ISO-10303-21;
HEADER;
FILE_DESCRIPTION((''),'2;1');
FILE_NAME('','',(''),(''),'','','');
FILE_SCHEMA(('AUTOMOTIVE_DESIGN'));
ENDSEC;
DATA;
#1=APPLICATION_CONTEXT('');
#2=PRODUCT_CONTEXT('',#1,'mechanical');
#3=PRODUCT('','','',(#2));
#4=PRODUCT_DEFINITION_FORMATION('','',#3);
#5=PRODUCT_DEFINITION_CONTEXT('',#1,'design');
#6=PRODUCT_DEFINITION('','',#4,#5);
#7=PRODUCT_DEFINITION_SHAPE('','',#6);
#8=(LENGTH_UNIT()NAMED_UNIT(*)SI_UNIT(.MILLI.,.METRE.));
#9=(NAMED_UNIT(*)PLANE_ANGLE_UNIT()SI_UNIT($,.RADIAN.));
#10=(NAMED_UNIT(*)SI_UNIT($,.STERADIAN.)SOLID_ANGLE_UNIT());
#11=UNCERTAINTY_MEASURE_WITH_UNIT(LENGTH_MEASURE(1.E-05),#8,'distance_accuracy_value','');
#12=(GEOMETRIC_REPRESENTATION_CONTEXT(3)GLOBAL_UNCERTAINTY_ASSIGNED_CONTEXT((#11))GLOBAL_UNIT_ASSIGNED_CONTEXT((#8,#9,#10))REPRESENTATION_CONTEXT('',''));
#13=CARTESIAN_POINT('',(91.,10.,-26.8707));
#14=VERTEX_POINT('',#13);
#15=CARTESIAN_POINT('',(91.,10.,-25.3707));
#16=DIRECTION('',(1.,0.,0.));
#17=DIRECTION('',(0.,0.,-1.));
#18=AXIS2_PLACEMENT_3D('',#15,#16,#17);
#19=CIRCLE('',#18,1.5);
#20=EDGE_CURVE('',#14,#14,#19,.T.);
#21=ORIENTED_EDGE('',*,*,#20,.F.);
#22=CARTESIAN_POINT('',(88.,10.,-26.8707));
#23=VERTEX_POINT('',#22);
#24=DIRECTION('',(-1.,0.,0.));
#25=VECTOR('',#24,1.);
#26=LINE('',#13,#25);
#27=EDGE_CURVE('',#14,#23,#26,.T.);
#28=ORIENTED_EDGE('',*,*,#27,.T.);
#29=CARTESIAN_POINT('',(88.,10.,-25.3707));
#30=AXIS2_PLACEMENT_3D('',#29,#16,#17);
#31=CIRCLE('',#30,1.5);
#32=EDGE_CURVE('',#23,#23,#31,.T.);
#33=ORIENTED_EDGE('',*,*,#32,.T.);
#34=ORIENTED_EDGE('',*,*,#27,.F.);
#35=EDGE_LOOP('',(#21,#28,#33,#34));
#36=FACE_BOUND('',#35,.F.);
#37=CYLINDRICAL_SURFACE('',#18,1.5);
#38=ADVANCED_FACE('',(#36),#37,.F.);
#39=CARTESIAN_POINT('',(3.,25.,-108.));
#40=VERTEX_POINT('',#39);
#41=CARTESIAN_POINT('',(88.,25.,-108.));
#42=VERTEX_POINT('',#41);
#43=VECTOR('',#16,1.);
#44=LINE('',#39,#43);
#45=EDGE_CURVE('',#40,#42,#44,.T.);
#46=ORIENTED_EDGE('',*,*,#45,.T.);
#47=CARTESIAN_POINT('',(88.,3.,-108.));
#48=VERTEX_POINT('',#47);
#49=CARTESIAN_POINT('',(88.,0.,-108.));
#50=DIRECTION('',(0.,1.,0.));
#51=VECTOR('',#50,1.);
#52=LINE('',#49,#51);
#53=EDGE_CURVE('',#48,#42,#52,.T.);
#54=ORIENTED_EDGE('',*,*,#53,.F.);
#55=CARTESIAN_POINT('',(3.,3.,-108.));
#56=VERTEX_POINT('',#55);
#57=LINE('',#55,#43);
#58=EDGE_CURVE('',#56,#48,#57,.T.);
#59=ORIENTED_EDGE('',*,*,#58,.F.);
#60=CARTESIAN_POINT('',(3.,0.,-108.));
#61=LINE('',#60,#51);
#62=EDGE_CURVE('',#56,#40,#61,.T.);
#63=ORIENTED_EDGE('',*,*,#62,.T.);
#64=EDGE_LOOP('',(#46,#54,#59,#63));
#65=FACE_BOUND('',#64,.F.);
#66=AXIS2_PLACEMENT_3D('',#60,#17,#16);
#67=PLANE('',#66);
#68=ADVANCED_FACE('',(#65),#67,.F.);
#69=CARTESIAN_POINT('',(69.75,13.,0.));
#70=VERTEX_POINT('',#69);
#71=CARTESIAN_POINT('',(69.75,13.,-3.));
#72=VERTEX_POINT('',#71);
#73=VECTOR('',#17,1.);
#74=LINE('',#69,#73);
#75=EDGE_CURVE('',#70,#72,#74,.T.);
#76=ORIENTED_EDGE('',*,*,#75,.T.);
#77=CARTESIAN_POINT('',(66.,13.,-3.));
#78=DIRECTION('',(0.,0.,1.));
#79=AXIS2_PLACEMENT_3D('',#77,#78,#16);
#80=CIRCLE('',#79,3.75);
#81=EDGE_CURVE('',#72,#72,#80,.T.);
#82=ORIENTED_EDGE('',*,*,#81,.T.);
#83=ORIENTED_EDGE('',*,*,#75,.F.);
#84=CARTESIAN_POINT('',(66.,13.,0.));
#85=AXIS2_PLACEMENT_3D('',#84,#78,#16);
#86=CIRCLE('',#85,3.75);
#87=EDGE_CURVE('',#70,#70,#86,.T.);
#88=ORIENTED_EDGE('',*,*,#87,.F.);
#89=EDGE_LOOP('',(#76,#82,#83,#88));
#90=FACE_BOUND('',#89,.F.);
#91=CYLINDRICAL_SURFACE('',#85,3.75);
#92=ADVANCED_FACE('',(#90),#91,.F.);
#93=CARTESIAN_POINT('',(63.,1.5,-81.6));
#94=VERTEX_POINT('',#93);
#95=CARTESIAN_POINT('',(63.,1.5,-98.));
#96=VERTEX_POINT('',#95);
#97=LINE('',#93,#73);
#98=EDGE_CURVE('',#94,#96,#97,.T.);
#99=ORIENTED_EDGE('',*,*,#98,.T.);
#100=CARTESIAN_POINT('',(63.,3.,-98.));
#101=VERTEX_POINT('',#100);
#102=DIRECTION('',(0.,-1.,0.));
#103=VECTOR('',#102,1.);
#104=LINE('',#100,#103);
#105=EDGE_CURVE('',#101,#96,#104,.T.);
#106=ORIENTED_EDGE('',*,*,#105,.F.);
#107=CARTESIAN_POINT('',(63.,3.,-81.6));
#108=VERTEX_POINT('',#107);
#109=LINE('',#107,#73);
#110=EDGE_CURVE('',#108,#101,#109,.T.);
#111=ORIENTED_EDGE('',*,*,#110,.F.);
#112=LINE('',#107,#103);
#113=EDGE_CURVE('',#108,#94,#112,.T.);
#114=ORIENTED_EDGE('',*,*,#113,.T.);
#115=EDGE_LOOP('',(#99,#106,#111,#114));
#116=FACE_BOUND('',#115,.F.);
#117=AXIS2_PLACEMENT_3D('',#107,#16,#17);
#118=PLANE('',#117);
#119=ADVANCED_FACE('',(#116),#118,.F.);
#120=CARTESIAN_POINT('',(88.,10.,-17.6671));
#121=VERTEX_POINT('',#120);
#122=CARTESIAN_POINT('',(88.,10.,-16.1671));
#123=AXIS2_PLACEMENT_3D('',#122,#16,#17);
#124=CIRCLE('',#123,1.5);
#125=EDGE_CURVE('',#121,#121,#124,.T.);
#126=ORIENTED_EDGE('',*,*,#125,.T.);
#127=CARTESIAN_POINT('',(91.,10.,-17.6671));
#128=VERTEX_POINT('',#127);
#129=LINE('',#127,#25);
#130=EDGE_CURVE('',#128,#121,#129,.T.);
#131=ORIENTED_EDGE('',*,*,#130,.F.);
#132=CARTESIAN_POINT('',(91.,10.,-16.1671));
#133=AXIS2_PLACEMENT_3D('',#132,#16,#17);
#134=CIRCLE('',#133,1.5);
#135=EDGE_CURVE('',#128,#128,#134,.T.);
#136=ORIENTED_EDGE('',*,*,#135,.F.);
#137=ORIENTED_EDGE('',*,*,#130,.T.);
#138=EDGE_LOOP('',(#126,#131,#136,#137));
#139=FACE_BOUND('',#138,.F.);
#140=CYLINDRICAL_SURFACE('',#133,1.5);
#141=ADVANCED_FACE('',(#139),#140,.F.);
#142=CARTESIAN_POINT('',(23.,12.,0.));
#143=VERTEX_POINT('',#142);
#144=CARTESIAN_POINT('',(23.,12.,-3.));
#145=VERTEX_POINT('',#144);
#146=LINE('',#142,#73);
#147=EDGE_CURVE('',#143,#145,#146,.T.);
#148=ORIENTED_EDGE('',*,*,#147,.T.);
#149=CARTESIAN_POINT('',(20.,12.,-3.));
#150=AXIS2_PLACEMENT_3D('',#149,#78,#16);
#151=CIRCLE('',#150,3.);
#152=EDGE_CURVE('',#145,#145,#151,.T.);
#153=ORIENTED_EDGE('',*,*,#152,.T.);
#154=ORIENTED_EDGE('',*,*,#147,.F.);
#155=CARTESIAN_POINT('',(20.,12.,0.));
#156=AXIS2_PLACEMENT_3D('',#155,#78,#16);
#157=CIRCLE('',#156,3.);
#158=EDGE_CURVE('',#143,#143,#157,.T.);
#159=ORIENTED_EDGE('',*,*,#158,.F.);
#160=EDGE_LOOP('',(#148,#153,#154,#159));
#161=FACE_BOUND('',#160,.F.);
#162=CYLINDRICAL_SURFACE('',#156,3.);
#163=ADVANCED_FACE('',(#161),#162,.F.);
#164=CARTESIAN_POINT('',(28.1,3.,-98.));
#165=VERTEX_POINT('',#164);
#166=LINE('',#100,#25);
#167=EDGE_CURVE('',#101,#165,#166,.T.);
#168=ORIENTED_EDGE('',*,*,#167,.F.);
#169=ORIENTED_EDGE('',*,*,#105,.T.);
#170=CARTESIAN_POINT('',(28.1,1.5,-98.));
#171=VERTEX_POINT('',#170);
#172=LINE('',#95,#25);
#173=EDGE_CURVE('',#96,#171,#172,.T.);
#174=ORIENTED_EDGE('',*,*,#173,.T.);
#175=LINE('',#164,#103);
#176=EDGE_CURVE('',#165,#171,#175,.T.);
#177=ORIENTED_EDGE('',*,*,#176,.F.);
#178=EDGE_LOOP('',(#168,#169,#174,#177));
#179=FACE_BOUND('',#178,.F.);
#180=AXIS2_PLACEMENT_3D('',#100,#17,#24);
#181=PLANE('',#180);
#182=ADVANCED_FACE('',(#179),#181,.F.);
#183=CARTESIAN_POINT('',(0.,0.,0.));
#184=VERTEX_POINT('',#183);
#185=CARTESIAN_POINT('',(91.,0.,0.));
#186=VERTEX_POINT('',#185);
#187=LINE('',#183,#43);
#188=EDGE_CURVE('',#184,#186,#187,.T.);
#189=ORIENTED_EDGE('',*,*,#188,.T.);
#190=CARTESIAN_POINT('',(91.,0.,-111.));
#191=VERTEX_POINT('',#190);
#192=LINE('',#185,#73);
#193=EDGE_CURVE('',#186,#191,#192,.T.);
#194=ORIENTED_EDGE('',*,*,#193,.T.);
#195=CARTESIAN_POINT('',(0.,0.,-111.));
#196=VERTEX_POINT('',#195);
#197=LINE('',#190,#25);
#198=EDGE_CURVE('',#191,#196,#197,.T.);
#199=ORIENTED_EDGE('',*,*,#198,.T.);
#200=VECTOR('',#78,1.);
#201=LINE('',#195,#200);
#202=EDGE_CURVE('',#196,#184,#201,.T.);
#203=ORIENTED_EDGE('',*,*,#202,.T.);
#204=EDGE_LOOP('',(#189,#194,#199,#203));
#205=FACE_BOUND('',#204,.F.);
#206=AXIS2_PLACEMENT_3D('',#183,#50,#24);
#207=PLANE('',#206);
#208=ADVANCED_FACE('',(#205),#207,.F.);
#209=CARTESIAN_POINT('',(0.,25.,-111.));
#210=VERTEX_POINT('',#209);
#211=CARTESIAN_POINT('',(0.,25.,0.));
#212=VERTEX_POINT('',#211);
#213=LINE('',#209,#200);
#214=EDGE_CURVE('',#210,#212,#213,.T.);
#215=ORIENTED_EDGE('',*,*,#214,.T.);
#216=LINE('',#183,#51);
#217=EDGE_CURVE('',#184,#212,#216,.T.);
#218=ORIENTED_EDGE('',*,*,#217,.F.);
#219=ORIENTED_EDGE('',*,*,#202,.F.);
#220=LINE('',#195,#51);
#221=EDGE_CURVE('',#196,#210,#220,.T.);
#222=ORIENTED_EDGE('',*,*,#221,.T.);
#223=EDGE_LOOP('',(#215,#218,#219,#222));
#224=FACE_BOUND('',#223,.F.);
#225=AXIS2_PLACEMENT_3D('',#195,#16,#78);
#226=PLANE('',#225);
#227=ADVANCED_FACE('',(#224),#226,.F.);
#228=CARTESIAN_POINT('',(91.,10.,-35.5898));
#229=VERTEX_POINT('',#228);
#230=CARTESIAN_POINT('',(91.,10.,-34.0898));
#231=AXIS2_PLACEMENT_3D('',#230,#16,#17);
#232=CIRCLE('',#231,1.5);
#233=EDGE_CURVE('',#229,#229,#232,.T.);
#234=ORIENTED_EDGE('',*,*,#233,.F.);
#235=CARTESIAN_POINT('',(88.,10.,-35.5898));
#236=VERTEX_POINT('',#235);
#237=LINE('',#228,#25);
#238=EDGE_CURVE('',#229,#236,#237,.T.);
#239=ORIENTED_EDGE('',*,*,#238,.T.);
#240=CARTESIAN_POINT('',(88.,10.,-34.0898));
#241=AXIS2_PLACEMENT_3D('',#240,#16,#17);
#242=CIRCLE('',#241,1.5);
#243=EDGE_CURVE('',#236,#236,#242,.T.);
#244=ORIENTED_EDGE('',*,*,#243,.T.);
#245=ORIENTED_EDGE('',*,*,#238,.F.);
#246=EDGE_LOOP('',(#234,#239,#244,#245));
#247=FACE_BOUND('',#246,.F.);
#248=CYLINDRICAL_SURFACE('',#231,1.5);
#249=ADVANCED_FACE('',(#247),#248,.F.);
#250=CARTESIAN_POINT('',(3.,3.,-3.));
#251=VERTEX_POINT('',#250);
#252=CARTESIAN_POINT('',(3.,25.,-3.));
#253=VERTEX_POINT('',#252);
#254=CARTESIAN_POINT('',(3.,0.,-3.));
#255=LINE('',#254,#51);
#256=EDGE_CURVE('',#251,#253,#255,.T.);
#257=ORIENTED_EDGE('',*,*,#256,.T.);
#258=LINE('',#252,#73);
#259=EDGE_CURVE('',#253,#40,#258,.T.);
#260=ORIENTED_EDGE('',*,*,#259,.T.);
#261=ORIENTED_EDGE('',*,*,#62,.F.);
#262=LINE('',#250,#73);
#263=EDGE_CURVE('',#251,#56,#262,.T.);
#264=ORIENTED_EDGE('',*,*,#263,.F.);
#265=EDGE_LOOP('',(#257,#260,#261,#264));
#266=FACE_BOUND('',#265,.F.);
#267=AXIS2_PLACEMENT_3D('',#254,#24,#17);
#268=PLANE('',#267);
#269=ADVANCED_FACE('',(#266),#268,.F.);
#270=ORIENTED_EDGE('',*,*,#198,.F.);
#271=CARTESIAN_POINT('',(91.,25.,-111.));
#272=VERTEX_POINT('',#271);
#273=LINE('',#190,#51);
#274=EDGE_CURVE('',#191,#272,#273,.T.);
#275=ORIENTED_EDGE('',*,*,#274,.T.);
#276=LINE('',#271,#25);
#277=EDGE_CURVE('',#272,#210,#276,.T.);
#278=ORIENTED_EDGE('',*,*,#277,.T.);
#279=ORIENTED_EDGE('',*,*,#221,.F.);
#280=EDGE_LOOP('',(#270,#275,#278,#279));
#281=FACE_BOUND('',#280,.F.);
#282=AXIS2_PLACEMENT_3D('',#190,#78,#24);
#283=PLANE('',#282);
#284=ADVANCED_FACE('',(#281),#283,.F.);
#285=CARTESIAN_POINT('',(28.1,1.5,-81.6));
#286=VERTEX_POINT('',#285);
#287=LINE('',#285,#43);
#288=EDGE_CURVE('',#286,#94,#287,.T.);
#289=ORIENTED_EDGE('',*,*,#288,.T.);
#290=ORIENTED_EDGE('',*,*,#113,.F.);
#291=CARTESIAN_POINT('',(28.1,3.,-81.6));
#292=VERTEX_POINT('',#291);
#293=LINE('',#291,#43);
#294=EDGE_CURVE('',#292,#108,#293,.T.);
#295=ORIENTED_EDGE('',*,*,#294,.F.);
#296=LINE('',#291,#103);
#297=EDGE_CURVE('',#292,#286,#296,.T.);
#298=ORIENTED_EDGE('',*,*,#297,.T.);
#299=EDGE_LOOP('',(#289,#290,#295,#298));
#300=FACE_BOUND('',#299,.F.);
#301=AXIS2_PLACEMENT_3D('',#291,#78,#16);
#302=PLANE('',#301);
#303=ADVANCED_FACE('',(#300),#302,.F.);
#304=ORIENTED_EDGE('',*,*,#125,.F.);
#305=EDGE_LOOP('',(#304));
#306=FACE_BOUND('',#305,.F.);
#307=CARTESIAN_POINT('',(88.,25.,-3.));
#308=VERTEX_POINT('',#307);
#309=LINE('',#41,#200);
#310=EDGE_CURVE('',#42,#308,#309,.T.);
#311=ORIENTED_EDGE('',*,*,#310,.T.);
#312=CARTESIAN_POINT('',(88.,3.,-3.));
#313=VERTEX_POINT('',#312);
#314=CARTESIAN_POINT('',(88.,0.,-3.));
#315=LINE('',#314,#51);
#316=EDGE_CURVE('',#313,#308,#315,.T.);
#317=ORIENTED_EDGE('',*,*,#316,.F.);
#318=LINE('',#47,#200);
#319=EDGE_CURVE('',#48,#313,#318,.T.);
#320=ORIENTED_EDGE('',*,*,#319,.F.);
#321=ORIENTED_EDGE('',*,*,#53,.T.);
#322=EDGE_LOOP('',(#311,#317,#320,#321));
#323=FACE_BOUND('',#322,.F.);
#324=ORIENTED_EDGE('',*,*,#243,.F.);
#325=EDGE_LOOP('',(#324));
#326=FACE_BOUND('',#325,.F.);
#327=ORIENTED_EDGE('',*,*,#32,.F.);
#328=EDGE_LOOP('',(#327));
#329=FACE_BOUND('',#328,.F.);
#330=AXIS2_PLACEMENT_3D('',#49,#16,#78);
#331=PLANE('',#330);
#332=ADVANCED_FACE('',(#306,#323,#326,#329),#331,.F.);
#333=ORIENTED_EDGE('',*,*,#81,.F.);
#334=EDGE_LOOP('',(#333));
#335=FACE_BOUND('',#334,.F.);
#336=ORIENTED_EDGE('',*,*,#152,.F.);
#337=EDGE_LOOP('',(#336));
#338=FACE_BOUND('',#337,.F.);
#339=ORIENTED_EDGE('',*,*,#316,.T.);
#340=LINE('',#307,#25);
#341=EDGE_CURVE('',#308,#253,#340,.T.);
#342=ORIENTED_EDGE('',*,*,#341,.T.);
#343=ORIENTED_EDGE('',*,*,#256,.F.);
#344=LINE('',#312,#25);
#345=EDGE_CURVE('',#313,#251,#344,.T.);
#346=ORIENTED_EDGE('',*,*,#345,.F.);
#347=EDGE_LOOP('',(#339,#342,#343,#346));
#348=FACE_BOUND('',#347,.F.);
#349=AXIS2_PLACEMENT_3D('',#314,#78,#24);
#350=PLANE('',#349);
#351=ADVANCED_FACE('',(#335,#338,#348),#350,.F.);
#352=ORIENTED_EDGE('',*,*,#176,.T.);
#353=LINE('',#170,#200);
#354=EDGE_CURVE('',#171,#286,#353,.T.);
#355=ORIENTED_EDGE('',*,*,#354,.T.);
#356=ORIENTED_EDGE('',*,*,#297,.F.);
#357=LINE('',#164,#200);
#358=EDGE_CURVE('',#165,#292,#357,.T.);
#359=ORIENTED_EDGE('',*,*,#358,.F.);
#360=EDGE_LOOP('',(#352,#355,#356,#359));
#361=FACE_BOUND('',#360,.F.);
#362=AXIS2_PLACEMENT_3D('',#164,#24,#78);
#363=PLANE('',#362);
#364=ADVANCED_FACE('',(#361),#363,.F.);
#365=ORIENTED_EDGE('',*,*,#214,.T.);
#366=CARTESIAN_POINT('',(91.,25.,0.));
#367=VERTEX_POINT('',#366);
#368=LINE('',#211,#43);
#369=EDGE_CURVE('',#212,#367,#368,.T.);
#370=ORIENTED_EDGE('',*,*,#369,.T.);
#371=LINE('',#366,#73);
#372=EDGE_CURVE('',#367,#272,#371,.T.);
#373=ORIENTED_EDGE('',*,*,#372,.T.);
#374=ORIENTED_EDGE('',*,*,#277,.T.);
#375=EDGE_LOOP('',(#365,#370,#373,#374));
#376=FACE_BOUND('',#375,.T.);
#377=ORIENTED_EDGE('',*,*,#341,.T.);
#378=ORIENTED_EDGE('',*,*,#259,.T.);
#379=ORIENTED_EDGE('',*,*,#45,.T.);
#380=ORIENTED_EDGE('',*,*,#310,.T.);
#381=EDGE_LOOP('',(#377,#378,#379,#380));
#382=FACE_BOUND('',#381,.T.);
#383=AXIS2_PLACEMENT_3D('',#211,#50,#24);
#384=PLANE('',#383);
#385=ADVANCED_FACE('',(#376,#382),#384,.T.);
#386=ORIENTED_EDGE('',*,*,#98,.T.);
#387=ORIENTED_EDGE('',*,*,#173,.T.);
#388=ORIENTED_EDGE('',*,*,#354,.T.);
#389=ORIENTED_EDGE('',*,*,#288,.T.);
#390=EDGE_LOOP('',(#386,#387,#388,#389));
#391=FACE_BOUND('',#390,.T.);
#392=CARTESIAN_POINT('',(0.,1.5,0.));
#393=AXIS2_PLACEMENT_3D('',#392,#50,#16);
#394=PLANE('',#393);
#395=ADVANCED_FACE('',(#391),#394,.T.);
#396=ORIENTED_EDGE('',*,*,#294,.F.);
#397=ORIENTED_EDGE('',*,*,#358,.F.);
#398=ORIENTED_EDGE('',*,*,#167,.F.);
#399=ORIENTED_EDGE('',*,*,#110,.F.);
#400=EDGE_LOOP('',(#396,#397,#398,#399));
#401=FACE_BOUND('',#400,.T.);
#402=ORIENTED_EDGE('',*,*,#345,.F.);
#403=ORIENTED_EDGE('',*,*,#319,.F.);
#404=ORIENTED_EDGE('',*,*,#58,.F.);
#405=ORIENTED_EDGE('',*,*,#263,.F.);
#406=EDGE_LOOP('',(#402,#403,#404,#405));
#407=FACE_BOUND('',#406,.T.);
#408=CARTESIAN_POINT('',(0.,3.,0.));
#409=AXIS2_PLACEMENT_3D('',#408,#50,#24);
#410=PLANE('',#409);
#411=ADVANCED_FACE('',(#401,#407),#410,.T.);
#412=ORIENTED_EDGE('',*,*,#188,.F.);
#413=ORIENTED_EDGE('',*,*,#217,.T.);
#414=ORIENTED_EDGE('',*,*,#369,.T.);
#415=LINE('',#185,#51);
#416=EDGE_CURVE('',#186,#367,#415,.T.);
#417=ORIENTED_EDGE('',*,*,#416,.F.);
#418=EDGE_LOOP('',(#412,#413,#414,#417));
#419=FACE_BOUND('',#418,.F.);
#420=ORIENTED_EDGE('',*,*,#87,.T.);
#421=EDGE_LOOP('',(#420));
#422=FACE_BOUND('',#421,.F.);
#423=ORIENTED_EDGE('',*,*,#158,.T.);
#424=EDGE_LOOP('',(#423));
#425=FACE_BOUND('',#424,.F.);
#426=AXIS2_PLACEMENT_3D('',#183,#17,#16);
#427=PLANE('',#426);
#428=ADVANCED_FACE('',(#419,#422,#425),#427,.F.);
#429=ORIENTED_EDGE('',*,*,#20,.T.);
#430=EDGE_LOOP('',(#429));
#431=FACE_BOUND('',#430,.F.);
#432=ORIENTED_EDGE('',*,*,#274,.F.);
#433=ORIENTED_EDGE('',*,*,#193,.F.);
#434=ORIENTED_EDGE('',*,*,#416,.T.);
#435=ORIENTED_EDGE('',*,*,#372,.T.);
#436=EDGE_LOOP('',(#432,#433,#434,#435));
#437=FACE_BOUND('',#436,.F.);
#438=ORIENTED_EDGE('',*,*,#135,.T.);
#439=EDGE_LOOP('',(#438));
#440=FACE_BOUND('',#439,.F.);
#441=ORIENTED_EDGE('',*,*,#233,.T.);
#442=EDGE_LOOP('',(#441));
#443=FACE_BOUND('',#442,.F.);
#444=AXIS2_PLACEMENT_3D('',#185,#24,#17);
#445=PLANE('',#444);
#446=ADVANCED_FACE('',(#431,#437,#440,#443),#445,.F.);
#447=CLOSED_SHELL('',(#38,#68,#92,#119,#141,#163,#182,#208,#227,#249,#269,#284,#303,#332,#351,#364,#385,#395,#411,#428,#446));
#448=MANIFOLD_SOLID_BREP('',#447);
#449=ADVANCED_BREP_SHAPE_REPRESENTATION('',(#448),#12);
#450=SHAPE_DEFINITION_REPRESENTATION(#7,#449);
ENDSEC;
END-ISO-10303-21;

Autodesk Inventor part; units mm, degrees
ref_plane "YZ Plane" through (0, 0, 0) normal (1, 0, 0) x (0, 1, 0)
ref_plane "XZ Plane" through (0, 0, 0) normal (0, 1, 0) x (-1, 0, 0)
ref_plane "XY Plane" through (0, 0, 0) normal (0, 0, 1) x (1, 0, 0)
sketch "Esboço1" plane through (0, 0, 0) normal (0, 1, 0) x (-1, 0, 0)
  line L0 (0, 0) -> (-91, 0)
  line L1 (-91, 0) -> (-91, -111)
  line L2 (-91, -111) -> (0, -111)
  line L3 (0, -111) -> (0, 0)
  line L4 (-3, -108) -> (-88, -108)
  line L5 (-88, -108) -> (-88, -3)
  line L6 (-88, -3) -> (-3, -3)
  line L7 (-3, -3) -> (-3, -108)
  dimension "d0" = 3
  dimension "d1" = 3
  dimension "d2" = 3
  dimension "d3" = 3
  dimension "d4" = 85
  dimension "d5" = 105
extrude "Extrusão1" add sketch "Esboço1" along normal blind 3 contours L4 L5 L6 L7
extrude "Extrusão2" add sketch "Esboço1" along normal blind 25
sketch "Esboço2" plane through (0, 0, 0) normal (0, 0, 1) x (1, 0, 0)
  circle A0 centre (20, 12) radius 3
  circle A1 centre (66, 13) radius 3.75
  line L0 (0, 0) -> (0, 25) projected
  line L1 (91, 0) -> (91, 25) projected
  line L2 (0, 0) -> (91, 0) projected
  point P0 (0, 12.5)
  dimension "d10" = 6
  dimension "d11" = 7.5
  dimension "d25" = 20
  dimension "d26" = 25
  dimension "d30" = 13
  dimension "d31" = 12
extrude "Extrusão3" cut sketch "Esboço2" against normal blind 30
sketch "Esboço3" plane through (91, 0, 0) normal (1, 0, 0) x (0, 0, -1)
  circle A0 centre (16.1671, 10) radius 1.5
  circle A1 centre (34.0898, 10) radius 1.5
  circle A2 centre (25.3707, 10) radius 1.5
  line L0 (0, 0) -> (111, 0) projected
  dimension "d14" = 3
  dimension "d15" = 3
  dimension "d16" = 3
  dimension "d32" = 10
  dimension "d33" = 10
  dimension "d34" = 10
extrude "Extrusão4" cut sketch "Esboço3" against normal blind 10
sketch "Esboço4" plane through (0, 3, 0) normal (0, 1, 0) x (1, 0, 0)
  line L0 (28.1, 81.6) -> (63, 81.6)
  line L1 (63, 81.6) -> (63, 98)
  line L2 (63, 98) -> (28.1, 98)
  line L3 (28.1, 98) -> (28.1, 81.6)
  line L4 (88, 108) -> (88, 3) projected
  line L5 (3, 108) -> (88, 108) projected
  point P0 (0, 0)
  point P1 (63, 89.8)
  dimension "d19" = 34.9
  dimension "d20" = 16.4
  dimension "d23" = 25
  dimension "d24" = 10
extrude "Extrusão5" cut sketch "Esboço4" against normal blind 1.5
properties part number "Caixa_3DPrint"
